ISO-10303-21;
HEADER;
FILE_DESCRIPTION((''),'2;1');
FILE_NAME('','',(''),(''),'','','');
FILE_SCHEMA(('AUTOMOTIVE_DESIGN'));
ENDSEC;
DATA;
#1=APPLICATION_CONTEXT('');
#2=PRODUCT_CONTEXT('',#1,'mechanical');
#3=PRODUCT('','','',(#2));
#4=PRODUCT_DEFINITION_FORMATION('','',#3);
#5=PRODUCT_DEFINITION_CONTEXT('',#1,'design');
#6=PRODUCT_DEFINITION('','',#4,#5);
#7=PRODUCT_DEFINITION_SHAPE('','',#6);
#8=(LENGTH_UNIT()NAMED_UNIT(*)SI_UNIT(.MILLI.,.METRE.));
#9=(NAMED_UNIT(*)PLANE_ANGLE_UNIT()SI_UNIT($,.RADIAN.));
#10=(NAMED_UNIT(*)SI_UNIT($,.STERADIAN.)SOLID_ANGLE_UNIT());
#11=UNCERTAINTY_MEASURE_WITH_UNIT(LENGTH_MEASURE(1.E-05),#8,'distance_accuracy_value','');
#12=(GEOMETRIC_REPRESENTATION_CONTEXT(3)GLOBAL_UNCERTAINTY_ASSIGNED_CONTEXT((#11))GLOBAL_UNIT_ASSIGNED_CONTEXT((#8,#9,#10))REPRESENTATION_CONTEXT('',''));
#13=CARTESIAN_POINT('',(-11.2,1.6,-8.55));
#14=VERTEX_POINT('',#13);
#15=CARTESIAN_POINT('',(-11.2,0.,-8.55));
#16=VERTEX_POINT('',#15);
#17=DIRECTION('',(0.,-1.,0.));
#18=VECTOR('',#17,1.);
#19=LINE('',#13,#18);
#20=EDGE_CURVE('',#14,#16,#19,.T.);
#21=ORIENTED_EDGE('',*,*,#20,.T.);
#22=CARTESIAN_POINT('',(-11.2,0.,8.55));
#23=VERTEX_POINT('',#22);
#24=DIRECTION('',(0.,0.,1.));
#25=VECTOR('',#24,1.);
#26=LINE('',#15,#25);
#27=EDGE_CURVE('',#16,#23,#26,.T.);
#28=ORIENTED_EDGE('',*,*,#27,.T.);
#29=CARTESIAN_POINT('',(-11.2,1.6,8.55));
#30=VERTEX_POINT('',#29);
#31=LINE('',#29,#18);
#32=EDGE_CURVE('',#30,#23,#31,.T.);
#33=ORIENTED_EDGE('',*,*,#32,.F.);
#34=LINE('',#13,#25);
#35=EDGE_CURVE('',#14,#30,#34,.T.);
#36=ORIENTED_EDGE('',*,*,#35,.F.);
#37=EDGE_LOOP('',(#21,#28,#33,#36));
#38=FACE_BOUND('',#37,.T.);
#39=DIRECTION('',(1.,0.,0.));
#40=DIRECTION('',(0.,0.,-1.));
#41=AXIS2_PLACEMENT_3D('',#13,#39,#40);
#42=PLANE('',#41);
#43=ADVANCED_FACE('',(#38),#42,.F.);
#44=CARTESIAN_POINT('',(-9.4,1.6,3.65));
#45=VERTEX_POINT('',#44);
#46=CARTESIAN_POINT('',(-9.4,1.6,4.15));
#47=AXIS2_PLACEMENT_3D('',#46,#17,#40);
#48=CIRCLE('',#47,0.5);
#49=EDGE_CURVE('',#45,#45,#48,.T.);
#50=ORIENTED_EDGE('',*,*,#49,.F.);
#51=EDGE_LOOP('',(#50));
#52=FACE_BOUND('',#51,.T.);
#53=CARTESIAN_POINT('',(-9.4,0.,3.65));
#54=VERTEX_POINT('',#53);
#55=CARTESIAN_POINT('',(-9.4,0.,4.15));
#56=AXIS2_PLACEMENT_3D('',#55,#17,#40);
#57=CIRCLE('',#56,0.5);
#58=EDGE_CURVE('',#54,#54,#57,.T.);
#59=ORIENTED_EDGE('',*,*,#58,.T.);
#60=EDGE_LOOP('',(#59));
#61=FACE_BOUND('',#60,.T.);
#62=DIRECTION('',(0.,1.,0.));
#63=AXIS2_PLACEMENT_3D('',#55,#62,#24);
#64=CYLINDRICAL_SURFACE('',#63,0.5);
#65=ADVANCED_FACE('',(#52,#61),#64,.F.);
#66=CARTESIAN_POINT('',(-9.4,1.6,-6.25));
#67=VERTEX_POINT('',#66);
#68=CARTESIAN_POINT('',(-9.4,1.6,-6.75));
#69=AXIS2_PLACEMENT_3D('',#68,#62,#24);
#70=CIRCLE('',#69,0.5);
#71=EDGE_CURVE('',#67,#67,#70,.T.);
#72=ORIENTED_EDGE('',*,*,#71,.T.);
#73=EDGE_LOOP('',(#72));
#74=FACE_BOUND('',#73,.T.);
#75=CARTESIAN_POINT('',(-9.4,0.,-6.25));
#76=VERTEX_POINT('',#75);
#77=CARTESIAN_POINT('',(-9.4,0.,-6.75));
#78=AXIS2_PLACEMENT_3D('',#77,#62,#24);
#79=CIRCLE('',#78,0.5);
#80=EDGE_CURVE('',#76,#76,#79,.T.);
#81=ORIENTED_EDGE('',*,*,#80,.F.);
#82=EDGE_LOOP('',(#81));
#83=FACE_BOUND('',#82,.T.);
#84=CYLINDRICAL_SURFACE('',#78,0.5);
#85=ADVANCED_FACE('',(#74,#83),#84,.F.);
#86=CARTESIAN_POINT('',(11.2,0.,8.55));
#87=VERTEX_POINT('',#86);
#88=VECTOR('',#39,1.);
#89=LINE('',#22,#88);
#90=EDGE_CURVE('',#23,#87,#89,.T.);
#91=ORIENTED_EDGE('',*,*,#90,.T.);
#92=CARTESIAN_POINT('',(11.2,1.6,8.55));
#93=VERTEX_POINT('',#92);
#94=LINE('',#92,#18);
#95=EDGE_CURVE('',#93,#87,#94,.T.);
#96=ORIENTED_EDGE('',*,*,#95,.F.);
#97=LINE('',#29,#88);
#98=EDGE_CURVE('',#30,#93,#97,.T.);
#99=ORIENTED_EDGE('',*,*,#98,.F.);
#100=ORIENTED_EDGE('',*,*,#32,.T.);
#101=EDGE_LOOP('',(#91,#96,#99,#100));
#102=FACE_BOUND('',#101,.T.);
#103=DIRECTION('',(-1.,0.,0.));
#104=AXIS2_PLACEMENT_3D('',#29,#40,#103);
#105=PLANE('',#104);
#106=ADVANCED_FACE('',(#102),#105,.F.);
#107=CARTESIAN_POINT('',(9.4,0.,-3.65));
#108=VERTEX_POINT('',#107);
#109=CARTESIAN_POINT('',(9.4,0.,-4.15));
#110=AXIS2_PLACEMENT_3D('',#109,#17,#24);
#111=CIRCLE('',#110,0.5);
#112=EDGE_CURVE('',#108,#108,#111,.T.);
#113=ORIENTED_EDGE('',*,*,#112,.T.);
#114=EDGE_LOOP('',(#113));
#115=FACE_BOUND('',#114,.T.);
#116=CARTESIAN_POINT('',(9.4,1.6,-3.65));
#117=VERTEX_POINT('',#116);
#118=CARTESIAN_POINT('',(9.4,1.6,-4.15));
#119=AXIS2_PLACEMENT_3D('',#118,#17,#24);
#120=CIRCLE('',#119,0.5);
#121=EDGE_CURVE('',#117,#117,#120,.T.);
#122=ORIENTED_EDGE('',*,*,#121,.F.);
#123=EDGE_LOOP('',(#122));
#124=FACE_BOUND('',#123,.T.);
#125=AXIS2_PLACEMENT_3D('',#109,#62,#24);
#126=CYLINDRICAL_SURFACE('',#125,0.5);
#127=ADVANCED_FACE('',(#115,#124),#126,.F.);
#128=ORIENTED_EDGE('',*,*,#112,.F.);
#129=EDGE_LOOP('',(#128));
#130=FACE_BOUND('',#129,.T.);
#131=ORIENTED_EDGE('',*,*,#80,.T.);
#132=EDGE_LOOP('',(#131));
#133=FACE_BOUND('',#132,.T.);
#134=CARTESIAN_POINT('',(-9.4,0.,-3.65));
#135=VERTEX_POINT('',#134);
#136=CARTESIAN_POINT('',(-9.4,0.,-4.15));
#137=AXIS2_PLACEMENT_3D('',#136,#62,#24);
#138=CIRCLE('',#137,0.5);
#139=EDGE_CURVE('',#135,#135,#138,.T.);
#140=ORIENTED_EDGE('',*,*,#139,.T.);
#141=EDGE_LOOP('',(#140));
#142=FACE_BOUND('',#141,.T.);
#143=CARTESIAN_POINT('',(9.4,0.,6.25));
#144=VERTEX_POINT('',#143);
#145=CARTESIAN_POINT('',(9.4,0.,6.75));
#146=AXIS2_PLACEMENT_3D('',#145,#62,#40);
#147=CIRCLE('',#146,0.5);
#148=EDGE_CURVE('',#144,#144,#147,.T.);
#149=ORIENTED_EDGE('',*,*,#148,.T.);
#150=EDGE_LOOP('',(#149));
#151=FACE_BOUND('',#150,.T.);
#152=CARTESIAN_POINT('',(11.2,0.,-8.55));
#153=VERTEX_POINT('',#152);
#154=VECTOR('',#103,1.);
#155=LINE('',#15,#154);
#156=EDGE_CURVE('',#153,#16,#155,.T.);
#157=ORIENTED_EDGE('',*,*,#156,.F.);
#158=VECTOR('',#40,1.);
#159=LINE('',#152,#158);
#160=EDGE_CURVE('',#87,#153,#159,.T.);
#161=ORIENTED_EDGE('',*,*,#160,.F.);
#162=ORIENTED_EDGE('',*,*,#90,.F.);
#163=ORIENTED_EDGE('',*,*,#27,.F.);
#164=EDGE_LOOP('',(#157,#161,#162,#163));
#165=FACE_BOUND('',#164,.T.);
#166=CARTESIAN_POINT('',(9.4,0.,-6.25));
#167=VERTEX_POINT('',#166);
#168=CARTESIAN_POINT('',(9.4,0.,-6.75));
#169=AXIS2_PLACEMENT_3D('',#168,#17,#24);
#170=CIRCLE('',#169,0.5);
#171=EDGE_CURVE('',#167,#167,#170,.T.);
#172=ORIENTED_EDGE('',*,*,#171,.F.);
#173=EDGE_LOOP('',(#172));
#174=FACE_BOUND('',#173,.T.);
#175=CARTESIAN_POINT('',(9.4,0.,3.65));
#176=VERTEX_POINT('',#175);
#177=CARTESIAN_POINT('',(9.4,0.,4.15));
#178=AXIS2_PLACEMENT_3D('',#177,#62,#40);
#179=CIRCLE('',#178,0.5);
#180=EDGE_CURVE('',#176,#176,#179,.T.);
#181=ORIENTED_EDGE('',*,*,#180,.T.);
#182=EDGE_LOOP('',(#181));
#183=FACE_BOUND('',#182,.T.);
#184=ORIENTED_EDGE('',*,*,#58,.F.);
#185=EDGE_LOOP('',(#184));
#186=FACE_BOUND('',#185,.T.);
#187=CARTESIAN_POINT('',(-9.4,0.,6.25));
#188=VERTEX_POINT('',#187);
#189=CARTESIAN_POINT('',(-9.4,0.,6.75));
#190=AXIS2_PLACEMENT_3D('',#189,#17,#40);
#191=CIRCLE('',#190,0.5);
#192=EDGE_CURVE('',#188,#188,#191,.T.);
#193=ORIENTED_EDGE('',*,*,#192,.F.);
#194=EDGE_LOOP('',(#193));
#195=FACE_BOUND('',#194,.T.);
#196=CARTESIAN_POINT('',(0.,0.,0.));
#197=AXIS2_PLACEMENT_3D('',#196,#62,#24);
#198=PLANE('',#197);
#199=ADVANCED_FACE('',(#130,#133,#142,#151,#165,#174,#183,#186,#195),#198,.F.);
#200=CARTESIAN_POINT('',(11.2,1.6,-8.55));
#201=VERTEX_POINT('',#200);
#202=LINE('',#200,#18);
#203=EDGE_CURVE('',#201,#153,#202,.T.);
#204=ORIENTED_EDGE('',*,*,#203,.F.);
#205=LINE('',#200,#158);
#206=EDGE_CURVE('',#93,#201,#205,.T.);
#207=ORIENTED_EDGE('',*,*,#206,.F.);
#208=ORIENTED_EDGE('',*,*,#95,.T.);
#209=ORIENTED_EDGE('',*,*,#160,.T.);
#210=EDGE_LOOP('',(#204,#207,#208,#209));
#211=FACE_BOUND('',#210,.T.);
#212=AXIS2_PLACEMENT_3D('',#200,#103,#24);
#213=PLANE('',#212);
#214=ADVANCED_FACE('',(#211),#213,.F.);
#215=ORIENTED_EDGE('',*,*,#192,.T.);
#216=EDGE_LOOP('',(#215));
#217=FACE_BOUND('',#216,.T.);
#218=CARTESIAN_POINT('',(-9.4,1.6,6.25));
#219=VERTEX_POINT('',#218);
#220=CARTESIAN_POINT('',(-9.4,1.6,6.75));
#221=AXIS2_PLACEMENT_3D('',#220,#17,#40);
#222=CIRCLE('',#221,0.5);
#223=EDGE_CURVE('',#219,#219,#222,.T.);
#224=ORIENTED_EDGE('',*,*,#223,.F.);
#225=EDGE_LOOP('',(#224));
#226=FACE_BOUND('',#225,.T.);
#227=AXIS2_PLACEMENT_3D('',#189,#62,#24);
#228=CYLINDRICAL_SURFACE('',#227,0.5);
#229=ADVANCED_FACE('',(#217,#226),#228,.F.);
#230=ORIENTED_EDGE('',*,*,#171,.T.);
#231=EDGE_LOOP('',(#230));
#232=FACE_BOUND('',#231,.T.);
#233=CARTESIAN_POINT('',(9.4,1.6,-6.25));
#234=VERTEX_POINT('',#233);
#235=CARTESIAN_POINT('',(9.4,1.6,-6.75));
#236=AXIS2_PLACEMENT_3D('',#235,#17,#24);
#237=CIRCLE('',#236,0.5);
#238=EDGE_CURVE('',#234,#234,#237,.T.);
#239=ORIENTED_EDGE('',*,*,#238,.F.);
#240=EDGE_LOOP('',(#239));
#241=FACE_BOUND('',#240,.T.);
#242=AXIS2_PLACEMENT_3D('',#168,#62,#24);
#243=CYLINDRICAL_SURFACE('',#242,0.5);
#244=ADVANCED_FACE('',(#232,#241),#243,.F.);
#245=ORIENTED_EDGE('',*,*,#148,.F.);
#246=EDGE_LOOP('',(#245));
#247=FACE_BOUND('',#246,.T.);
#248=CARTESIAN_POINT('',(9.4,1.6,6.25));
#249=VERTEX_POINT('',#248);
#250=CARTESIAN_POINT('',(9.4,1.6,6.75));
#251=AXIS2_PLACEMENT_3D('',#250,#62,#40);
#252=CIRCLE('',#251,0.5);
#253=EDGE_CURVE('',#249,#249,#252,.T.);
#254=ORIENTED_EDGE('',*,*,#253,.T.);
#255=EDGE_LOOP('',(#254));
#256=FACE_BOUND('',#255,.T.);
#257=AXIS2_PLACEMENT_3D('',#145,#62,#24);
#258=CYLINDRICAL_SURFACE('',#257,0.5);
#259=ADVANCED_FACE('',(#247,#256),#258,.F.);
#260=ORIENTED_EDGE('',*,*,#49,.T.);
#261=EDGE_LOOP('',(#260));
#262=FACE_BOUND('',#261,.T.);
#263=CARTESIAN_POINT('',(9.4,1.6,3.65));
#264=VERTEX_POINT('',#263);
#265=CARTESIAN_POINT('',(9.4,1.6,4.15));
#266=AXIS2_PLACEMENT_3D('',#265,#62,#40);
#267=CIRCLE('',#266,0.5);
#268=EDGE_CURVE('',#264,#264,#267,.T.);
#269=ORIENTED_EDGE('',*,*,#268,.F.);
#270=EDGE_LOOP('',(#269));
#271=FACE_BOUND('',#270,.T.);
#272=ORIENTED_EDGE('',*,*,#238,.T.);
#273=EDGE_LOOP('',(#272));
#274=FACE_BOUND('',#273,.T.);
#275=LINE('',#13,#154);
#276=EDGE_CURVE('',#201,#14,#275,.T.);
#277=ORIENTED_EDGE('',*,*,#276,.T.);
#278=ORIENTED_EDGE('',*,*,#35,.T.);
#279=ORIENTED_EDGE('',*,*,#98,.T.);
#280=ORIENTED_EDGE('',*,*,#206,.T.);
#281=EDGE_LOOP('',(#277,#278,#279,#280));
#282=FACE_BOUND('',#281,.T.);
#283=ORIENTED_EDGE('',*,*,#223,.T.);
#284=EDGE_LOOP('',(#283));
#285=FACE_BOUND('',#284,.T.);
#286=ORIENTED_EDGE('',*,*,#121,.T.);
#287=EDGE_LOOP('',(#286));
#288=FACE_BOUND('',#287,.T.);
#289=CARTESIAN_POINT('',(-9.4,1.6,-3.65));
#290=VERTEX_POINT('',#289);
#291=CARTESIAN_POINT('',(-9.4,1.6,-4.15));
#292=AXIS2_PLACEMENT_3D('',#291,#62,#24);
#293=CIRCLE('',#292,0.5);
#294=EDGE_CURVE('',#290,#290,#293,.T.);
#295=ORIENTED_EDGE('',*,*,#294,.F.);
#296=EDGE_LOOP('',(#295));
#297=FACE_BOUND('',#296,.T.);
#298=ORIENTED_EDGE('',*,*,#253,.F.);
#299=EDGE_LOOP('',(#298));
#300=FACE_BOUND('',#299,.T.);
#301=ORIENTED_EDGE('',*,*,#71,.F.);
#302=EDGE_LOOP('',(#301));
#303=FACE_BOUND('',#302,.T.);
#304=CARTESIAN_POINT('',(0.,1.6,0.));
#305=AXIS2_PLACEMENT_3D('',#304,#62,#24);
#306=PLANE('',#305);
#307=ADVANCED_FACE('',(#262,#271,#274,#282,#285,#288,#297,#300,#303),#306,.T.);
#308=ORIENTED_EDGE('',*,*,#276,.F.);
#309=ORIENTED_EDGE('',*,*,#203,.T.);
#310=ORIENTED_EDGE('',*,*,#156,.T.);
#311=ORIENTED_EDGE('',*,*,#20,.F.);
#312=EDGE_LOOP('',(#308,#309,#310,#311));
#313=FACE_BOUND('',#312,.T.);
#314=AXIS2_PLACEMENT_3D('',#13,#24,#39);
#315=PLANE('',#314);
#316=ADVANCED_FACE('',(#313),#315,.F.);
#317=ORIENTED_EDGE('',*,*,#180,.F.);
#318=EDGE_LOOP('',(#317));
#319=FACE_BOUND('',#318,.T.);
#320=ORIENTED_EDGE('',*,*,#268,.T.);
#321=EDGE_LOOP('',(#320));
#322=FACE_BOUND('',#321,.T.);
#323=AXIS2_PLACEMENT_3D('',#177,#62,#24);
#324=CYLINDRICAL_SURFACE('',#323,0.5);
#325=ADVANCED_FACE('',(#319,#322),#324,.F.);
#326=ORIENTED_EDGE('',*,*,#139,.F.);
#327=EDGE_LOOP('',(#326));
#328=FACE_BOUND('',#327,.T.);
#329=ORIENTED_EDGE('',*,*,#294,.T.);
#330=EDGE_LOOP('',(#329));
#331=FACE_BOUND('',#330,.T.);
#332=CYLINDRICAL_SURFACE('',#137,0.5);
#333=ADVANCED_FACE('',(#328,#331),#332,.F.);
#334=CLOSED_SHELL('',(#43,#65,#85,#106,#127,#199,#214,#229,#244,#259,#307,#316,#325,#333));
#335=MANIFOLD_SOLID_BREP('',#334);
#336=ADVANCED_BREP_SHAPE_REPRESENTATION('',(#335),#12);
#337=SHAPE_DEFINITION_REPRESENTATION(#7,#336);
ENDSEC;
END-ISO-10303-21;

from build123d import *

# Parameters (mm, degrees)
SKETCH1_W                       = 22.4
SKETCH1_H                       = 17.1
MAIN_BODY_DEPTH                 = 1.6
SKETCH2_R                       = 0.5
SOLDERED_CONNECTION_HOLES_DEPTH = 15.181061314
MIRROR2_COPY_1_SKETCH_R         = 0.5
MIRROR2_COPY_1_DEPTH            = 15.181061314


with BuildPart() as part:
    # Sketch1 → MAIN BODY (new body)
    with BuildSketch(Plane(origin=(0, 0, 0), x_dir=(1, 0, 0), z_dir=(0, 1, 0))):
        Rectangle(SKETCH1_W, SKETCH1_H)
    extrude(amount=MAIN_BODY_DEPTH)

    # Sketch2 → SOLDERED CONNECTION HOLES (cut, through all)
    with BuildSketch(Plane(origin=(0, 1.6, 0), x_dir=(1, 0, 0), z_dir=(0, 1, 0))):
        with Locations(Location((-9.4, 6.75, 0), (0, 0, 270))):
            Circle(SKETCH2_R)
        with Locations(Location((-9.4, 4.15, 0), (0, 0, 270))):
            Circle(SKETCH2_R)
    soldered_connection_holes = extrude(amount=-SOLDERED_CONNECTION_HOLES_DEPTH, mode=Mode.SUBTRACT)

    # Mirror1: SOLDERED CONNECTION HOLES across plane
    add(soldered_connection_holes.mirror(Plane(origin=(0, 0, 0), x_dir=(0, 0, 1), z_dir=(1, 0, 0))), mode=Mode.SUBTRACT)

    # Mirror2: SOLDERED CONNECTION HOLES across plane
    add(soldered_connection_holes.mirror(Plane.XY), mode=Mode.SUBTRACT)

    # Mirror2 copy 1 sketch → Mirror2 copy 1 (cut, through all)
    with BuildSketch(Plane(origin=(0, 1.6, 0), x_dir=(-1, 0, 0), z_dir=(0, 1, 0))):
        with Locations(Location((-9.4, 6.75, 0), (0, 0, 270))):
            Circle(MIRROR2_COPY_1_SKETCH_R)
        with Locations(Location((-9.4, 4.15, 0), (0, 0, 270))):
            Circle(MIRROR2_COPY_1_SKETCH_R)
    extrude(amount=-MIRROR2_COPY_1_DEPTH, mode=Mode.SUBTRACT)


solid = part.part
